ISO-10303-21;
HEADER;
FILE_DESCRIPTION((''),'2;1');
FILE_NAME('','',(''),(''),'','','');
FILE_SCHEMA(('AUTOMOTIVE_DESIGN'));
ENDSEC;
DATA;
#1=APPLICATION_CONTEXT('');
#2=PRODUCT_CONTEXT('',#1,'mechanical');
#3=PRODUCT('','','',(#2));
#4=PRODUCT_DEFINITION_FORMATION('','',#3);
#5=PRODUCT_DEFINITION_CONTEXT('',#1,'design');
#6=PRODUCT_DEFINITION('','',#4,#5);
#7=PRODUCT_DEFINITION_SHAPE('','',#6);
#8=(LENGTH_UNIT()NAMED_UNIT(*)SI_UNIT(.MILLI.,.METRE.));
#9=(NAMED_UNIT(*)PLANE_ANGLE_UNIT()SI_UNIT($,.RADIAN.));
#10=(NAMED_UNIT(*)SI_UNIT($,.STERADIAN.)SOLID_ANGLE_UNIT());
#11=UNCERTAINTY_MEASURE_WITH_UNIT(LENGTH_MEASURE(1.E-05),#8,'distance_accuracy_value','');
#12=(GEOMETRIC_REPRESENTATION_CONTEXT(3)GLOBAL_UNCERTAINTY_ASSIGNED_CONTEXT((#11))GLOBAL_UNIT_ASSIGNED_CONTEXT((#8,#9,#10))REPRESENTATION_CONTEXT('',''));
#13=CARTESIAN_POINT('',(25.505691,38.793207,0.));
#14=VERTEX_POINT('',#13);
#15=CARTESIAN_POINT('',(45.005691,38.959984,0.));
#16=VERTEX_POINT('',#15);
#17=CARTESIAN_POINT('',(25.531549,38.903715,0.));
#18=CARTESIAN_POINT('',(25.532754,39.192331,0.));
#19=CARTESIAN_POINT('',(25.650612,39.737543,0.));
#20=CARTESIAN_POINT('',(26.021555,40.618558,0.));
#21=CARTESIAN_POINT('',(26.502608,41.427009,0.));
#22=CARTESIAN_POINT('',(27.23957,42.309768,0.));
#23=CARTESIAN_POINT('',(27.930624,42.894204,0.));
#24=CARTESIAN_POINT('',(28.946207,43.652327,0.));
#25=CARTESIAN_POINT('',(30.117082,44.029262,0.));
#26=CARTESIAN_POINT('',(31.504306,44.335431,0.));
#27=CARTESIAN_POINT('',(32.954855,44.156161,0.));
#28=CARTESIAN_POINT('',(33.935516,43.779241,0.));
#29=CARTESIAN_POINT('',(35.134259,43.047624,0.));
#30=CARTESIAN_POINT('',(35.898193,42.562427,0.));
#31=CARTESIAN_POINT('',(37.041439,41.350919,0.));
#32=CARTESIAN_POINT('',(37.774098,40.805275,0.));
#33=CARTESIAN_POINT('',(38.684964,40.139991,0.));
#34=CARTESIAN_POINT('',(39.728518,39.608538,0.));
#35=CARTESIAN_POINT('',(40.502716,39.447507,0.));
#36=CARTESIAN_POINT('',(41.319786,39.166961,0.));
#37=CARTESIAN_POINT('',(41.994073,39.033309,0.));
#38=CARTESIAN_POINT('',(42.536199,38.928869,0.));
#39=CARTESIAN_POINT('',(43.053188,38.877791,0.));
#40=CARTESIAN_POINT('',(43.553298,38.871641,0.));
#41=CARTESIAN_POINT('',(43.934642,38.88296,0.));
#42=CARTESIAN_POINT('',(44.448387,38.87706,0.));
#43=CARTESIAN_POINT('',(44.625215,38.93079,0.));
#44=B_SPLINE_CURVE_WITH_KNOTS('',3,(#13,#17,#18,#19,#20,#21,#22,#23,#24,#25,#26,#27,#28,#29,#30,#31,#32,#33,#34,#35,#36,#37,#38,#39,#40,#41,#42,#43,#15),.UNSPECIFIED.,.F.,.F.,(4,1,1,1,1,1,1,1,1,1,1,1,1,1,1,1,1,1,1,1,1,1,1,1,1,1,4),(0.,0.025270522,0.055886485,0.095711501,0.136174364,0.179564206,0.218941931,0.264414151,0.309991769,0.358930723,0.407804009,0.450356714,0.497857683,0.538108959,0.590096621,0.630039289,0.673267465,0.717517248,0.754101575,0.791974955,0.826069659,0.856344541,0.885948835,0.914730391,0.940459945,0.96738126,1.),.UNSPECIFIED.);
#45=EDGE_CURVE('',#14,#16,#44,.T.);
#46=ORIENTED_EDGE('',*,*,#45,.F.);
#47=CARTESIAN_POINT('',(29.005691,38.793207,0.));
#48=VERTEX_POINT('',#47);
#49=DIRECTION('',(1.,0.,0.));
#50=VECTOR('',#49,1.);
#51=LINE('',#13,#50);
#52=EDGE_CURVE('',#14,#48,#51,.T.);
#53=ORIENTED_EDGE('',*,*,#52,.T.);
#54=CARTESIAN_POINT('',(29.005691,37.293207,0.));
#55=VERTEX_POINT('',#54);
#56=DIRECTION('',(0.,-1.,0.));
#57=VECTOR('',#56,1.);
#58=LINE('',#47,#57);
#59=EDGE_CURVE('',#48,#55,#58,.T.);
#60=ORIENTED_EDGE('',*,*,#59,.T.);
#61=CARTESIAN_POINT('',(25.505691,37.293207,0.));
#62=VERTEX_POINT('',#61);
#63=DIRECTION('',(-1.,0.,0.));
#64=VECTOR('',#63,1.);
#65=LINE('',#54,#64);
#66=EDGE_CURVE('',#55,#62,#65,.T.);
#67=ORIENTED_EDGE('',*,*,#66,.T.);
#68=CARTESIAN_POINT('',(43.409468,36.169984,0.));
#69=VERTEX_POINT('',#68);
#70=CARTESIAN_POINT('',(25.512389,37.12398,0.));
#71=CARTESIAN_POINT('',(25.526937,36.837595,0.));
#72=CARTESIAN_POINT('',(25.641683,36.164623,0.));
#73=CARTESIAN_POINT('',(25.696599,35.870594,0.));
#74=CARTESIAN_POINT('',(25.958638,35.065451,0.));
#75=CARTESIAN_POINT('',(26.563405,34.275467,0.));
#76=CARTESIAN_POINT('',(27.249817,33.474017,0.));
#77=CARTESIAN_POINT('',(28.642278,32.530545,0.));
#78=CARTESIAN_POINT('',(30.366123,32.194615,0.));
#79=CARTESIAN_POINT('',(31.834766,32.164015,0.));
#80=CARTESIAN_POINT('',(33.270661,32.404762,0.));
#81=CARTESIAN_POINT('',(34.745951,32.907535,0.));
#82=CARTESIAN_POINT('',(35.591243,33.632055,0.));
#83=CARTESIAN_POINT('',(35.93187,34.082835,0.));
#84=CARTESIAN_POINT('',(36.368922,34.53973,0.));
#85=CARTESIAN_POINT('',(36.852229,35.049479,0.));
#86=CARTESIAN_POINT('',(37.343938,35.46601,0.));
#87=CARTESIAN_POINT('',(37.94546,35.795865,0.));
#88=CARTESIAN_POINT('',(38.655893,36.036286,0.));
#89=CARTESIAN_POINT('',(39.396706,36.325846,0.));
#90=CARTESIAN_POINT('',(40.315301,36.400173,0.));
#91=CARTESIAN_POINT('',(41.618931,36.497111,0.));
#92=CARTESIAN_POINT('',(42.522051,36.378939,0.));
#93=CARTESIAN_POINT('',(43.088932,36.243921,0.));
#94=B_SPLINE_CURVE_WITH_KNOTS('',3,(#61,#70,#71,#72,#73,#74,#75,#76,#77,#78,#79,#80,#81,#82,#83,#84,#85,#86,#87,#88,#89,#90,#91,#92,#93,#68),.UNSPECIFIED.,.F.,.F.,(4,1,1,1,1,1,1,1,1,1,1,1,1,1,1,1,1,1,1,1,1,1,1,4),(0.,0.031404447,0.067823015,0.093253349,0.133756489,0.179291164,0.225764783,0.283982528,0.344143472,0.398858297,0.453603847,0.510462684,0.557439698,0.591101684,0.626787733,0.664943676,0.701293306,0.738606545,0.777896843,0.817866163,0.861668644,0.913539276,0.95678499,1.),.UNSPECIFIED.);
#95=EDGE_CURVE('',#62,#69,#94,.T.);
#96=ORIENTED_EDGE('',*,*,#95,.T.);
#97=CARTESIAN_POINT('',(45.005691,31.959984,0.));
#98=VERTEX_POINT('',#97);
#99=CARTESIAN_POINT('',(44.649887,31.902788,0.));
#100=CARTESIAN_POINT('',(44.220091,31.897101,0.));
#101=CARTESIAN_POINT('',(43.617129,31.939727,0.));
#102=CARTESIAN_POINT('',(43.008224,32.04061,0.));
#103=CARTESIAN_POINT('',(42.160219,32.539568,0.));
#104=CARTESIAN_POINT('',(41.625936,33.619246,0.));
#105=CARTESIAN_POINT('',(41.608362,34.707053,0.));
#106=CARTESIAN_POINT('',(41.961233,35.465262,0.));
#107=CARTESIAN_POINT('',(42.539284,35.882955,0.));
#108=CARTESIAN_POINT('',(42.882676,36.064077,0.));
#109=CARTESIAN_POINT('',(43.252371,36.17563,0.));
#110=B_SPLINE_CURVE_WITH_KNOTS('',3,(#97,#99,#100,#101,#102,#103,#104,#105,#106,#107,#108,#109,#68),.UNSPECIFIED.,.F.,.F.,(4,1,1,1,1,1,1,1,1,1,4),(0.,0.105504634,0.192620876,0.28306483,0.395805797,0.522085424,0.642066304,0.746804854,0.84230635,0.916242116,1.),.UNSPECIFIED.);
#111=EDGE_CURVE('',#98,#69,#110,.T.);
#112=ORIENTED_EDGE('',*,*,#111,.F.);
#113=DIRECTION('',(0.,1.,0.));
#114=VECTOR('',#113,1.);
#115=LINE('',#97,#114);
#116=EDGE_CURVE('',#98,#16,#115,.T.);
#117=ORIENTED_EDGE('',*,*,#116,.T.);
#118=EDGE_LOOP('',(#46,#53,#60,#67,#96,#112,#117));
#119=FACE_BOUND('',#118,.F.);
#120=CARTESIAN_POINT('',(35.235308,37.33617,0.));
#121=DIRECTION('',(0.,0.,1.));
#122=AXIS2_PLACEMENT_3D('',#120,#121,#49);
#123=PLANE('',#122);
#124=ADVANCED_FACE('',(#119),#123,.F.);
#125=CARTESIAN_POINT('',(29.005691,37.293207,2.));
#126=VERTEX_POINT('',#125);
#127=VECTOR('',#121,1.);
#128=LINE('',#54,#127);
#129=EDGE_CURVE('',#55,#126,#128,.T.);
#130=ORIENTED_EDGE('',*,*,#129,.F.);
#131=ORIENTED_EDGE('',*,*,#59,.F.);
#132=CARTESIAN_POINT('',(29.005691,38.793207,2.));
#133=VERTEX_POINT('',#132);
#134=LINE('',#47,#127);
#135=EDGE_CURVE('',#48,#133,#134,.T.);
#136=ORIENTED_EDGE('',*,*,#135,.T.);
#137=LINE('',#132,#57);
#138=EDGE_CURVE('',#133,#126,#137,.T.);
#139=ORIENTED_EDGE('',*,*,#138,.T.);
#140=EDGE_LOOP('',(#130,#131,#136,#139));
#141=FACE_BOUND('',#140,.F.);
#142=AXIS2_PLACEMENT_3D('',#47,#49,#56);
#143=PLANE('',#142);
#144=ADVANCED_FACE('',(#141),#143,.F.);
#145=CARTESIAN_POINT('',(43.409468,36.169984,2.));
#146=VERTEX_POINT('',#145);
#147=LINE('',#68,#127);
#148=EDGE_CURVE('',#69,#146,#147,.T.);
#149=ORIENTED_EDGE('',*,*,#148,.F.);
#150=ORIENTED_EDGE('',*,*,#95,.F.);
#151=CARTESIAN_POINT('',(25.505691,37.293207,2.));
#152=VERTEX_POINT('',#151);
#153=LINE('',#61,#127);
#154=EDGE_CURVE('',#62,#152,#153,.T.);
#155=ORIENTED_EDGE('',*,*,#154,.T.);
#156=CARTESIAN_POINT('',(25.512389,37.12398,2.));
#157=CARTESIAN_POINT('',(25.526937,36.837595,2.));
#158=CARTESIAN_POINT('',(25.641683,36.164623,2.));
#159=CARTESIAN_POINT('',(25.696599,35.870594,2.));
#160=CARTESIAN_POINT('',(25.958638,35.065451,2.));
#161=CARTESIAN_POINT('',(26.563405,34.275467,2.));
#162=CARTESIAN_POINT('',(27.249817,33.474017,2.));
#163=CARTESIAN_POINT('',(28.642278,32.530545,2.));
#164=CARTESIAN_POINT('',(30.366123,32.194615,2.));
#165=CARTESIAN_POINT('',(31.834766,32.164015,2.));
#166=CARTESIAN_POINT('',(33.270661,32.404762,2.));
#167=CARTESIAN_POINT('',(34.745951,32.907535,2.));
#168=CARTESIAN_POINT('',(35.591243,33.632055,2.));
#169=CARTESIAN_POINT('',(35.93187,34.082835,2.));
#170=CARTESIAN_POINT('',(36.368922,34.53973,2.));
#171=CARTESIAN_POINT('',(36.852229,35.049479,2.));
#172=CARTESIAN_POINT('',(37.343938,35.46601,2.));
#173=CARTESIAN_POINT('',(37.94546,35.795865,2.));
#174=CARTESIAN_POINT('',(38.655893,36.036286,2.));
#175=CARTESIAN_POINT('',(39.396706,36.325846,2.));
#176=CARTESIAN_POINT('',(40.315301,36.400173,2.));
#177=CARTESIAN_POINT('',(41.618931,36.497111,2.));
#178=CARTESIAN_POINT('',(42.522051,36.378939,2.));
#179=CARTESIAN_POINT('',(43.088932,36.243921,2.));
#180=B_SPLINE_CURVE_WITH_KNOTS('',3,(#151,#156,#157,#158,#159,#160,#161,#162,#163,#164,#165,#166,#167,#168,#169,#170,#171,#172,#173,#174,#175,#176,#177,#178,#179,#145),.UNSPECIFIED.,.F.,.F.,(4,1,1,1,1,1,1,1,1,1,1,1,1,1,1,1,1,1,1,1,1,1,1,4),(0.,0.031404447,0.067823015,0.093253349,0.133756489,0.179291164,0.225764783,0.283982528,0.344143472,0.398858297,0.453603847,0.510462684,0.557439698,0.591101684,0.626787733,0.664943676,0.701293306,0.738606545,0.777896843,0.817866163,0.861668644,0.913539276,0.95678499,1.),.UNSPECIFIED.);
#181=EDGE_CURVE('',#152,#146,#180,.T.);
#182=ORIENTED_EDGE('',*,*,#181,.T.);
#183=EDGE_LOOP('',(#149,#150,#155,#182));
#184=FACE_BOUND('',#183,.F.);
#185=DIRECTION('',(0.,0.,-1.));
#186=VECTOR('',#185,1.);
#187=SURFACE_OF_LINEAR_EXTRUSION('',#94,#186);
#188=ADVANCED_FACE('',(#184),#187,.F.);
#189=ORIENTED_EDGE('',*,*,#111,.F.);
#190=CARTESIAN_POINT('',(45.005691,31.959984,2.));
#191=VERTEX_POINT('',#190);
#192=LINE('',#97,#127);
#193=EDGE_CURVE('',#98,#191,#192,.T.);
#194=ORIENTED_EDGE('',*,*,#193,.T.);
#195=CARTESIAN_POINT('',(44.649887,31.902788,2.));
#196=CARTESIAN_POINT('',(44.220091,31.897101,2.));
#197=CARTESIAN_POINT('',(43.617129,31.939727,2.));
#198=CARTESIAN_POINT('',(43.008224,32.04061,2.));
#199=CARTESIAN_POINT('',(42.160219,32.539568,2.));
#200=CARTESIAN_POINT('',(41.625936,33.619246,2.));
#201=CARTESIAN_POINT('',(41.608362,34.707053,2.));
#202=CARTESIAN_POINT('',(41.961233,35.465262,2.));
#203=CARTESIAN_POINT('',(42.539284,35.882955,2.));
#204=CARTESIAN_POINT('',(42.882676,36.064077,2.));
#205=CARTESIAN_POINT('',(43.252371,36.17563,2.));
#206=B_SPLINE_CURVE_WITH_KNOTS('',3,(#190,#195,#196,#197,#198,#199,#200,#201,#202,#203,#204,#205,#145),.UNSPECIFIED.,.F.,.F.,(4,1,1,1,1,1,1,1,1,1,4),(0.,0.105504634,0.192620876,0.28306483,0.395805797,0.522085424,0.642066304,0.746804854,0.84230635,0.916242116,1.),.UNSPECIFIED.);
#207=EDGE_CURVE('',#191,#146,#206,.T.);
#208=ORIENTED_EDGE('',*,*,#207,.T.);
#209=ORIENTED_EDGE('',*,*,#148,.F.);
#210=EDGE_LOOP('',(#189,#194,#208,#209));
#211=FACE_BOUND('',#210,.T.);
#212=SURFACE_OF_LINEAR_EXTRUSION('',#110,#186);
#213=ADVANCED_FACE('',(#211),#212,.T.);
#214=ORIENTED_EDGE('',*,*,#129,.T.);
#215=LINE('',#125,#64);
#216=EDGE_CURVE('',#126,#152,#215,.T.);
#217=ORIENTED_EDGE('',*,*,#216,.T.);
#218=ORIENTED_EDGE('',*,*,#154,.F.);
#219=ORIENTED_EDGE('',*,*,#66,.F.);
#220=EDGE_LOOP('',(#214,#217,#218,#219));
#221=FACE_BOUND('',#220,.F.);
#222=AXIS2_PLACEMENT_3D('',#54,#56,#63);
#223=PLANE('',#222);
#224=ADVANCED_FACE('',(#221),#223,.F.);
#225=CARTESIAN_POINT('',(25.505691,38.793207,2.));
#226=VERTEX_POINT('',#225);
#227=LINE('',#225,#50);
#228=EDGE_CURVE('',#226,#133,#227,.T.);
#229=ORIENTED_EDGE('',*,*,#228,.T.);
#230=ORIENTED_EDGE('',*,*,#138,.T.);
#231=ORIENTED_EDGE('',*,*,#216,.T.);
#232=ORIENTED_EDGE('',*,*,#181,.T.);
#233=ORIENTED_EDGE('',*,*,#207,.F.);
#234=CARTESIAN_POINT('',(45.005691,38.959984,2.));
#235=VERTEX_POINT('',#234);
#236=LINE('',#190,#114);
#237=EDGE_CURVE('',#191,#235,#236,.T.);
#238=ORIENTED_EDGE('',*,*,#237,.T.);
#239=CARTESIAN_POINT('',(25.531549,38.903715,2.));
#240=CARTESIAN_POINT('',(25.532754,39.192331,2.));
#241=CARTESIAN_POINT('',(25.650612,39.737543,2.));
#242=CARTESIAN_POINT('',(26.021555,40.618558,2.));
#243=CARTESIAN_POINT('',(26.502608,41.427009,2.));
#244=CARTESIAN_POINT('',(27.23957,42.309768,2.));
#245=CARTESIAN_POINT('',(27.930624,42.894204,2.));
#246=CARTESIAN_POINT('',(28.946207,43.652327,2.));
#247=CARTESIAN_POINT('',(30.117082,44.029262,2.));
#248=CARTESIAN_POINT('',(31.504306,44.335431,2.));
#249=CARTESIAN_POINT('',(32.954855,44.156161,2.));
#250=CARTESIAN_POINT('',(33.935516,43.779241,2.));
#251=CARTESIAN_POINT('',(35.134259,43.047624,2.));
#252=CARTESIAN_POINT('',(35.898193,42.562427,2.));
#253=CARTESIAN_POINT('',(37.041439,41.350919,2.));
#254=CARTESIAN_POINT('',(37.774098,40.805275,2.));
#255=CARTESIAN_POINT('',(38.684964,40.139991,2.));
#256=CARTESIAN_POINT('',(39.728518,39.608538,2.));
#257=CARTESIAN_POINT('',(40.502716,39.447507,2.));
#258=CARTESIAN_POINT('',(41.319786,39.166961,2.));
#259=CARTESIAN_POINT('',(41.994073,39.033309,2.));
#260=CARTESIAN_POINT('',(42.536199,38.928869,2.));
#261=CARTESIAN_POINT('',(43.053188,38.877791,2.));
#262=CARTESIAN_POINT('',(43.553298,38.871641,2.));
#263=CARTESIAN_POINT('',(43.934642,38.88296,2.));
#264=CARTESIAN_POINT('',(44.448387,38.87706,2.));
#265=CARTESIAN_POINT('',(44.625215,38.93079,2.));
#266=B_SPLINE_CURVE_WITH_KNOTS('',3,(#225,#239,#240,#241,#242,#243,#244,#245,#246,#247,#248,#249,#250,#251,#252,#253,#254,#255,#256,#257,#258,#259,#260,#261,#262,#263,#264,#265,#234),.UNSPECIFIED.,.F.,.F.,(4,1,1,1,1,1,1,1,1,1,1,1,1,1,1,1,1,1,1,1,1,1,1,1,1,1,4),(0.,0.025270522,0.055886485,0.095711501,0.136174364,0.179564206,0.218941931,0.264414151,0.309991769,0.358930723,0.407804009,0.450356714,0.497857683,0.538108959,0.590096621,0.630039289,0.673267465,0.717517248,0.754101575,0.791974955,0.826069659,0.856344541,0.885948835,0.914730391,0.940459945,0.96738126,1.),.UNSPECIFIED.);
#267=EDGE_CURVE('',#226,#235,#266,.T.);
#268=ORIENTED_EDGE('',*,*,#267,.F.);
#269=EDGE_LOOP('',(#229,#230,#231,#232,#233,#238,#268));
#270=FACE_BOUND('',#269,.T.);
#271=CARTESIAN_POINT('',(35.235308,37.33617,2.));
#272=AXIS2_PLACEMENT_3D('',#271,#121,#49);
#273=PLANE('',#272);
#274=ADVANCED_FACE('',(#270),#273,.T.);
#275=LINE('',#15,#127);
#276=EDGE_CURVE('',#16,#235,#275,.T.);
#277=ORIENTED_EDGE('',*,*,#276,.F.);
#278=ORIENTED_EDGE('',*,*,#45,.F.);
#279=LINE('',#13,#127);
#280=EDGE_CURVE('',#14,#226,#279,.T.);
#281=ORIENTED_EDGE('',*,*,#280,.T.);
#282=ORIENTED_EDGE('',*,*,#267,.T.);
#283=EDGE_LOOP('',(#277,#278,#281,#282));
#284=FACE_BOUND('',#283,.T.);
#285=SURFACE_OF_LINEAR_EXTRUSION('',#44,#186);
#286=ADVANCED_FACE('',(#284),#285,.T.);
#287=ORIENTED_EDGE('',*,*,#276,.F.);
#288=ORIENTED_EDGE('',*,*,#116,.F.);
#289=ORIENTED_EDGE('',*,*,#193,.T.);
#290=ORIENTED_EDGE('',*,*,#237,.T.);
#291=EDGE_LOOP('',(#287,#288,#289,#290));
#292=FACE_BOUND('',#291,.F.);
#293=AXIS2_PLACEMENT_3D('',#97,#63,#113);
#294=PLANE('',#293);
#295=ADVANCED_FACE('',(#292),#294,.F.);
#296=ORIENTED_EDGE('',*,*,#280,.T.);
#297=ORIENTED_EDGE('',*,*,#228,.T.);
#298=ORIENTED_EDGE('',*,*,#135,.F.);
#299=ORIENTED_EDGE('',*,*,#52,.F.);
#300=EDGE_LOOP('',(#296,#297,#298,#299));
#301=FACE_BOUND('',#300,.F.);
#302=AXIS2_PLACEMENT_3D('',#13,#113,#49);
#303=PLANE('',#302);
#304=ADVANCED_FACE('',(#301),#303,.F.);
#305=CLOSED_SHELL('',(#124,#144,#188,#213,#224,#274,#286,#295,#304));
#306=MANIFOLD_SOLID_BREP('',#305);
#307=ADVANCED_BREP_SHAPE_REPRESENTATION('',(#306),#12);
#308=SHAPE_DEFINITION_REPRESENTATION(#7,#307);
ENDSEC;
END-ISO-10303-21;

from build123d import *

# Parameters (mm, degrees)
F1_DEPTH = 2


with BuildPart() as f1:
    # F0 (on Top) → F1 (new body)
    with BuildSketch(Plane.XY):
        with BuildLine():
            Line((29.0056911222, 37.2932067769), (25.5056911222, 37.2932067769))
            add(Edge.make_bspline(
                [(25.5056911222, 37.2932067769), (25.5123893198, 37.1239796799), (25.5269370782, 36.8375945795), (25.6416827385, 36.1646228651), (25.6965987603, 35.870593877), (25.9586383582, 35.0654512779), (26.5634046516, 34.2754670616), (27.2498166005, 33.4740173498), (28.6422781275, 32.5305453944), (30.3661225189, 32.1946150546), (31.8347660495, 32.1640151789), (33.2706610039, 32.4047615549), (34.7459508282, 32.9075349293), (35.5912433708, 33.6320548308), (35.9318703652, 34.0828349686), (36.3689217963, 34.53972979), (36.852229414, 35.0494790349), (37.3439377946, 35.4660096018), (37.9454599091, 35.7958645854), (38.6558933141, 36.0362860043), (39.3967060117, 36.3258461841), (40.3153013553, 36.4001734293), (41.6189307194, 36.4971112372), (42.52205072, 36.37893891), (43.0889321098, 36.2439211109), (43.4094676731, 36.1699839479)],
                knots=[0, 0, 0, 0, 0.0314044471, 0.067823015, 0.0932533488, 0.1337564893, 0.179291164, 0.225764783, 0.2839825277, 0.3441434722, 0.398858297, 0.4536038469, 0.5104626838, 0.5574396985, 0.5911016835, 0.626787733, 0.664943676, 0.7012933061, 0.738606545, 0.7778968431, 0.8178661635, 0.8616686436, 0.9135392759, 0.9567849896, 1, 1, 1, 1], degree=3))
            add(Edge.make_bspline(
                [(45.0056911222, 31.9599839479), (44.6498870319, 31.9027877396), (44.2200911623, 31.8971006378), (43.6171287374, 31.9397267373), (43.0082244256, 32.0406101946), (42.1602186595, 32.5395680892), (41.6259363602, 33.6192455114), (41.6083624593, 34.7070531631), (41.9612334381, 35.4652618667), (42.5392842899, 35.8829550478), (42.8826759736, 36.0640771138), (43.2523710978, 36.1756302257), (43.4094676731, 36.1699839479)],
                knots=[0, 0, 0, 0, 0.105504634, 0.1926208758, 0.2830648303, 0.3958057973, 0.5220854239, 0.6420663037, 0.7468048535, 0.8423063503, 0.9162421161, 1, 1, 1, 1], degree=3))
            Line((45.0056911222, 31.9599839479), (45.0056911222, 38.9599839479))
            add(Edge.make_bspline(
                [(25.5056911222, 38.7932067769), (25.5315492059, 38.9037149986), (25.5327541276, 39.1923308861), (25.6506118006, 39.7375433246), (26.0215552759, 40.6185581861), (26.5026079416, 41.4270093383), (27.2395702998, 42.3097679885), (27.9306239878, 42.8942036511), (28.9462072453, 43.6523268701), (30.117082146, 44.0292619578), (31.5043059567, 44.335430922), (32.9548553824, 44.1561609265), (33.935516194, 43.7792408197), (35.1342587441, 43.0476239534), (35.8981926154, 42.562426552), (37.0414389181, 41.3509192279), (37.7740978211, 40.8052754631), (38.6849635289, 40.139991487), (39.7285175087, 39.6085376156), (40.5027161526, 39.4475068525), (41.3197861815, 39.1669612807), (41.9940726923, 39.0333087207), (42.5361993004, 38.9288690794), (43.0531876241, 38.8777905672), (43.5532982232, 38.8716407637), (43.9346417228, 38.882960308), (44.4483870749, 38.8770602098), (44.6252153456, 38.9307901357), (45.0056911222, 38.9599839479)],
                knots=[0, 0, 0, 0, 0.0252705223, 0.055886485, 0.0957115014, 0.1361743643, 0.1795642065, 0.218941931, 0.2644141513, 0.3099917689, 0.3589307229, 0.4078040093, 0.4503567139, 0.4978576833, 0.5381089589, 0.5900966212, 0.6300392892, 0.6732674646, 0.7175172482, 0.7541015751, 0.7919749549, 0.826069659, 0.8563445407, 0.8859488349, 0.914730391, 0.9404599448, 0.9673812596, 1, 1, 1, 1], degree=3))
            Line((25.5056911222, 38.7932067769), (29.0056911222, 38.7932067769))
            Line((29.0056911222, 38.7932067769), (29.0056911222, 37.2932067769))
        make_face()
    extrude(amount=F1_DEPTH)


solid = f1.part
